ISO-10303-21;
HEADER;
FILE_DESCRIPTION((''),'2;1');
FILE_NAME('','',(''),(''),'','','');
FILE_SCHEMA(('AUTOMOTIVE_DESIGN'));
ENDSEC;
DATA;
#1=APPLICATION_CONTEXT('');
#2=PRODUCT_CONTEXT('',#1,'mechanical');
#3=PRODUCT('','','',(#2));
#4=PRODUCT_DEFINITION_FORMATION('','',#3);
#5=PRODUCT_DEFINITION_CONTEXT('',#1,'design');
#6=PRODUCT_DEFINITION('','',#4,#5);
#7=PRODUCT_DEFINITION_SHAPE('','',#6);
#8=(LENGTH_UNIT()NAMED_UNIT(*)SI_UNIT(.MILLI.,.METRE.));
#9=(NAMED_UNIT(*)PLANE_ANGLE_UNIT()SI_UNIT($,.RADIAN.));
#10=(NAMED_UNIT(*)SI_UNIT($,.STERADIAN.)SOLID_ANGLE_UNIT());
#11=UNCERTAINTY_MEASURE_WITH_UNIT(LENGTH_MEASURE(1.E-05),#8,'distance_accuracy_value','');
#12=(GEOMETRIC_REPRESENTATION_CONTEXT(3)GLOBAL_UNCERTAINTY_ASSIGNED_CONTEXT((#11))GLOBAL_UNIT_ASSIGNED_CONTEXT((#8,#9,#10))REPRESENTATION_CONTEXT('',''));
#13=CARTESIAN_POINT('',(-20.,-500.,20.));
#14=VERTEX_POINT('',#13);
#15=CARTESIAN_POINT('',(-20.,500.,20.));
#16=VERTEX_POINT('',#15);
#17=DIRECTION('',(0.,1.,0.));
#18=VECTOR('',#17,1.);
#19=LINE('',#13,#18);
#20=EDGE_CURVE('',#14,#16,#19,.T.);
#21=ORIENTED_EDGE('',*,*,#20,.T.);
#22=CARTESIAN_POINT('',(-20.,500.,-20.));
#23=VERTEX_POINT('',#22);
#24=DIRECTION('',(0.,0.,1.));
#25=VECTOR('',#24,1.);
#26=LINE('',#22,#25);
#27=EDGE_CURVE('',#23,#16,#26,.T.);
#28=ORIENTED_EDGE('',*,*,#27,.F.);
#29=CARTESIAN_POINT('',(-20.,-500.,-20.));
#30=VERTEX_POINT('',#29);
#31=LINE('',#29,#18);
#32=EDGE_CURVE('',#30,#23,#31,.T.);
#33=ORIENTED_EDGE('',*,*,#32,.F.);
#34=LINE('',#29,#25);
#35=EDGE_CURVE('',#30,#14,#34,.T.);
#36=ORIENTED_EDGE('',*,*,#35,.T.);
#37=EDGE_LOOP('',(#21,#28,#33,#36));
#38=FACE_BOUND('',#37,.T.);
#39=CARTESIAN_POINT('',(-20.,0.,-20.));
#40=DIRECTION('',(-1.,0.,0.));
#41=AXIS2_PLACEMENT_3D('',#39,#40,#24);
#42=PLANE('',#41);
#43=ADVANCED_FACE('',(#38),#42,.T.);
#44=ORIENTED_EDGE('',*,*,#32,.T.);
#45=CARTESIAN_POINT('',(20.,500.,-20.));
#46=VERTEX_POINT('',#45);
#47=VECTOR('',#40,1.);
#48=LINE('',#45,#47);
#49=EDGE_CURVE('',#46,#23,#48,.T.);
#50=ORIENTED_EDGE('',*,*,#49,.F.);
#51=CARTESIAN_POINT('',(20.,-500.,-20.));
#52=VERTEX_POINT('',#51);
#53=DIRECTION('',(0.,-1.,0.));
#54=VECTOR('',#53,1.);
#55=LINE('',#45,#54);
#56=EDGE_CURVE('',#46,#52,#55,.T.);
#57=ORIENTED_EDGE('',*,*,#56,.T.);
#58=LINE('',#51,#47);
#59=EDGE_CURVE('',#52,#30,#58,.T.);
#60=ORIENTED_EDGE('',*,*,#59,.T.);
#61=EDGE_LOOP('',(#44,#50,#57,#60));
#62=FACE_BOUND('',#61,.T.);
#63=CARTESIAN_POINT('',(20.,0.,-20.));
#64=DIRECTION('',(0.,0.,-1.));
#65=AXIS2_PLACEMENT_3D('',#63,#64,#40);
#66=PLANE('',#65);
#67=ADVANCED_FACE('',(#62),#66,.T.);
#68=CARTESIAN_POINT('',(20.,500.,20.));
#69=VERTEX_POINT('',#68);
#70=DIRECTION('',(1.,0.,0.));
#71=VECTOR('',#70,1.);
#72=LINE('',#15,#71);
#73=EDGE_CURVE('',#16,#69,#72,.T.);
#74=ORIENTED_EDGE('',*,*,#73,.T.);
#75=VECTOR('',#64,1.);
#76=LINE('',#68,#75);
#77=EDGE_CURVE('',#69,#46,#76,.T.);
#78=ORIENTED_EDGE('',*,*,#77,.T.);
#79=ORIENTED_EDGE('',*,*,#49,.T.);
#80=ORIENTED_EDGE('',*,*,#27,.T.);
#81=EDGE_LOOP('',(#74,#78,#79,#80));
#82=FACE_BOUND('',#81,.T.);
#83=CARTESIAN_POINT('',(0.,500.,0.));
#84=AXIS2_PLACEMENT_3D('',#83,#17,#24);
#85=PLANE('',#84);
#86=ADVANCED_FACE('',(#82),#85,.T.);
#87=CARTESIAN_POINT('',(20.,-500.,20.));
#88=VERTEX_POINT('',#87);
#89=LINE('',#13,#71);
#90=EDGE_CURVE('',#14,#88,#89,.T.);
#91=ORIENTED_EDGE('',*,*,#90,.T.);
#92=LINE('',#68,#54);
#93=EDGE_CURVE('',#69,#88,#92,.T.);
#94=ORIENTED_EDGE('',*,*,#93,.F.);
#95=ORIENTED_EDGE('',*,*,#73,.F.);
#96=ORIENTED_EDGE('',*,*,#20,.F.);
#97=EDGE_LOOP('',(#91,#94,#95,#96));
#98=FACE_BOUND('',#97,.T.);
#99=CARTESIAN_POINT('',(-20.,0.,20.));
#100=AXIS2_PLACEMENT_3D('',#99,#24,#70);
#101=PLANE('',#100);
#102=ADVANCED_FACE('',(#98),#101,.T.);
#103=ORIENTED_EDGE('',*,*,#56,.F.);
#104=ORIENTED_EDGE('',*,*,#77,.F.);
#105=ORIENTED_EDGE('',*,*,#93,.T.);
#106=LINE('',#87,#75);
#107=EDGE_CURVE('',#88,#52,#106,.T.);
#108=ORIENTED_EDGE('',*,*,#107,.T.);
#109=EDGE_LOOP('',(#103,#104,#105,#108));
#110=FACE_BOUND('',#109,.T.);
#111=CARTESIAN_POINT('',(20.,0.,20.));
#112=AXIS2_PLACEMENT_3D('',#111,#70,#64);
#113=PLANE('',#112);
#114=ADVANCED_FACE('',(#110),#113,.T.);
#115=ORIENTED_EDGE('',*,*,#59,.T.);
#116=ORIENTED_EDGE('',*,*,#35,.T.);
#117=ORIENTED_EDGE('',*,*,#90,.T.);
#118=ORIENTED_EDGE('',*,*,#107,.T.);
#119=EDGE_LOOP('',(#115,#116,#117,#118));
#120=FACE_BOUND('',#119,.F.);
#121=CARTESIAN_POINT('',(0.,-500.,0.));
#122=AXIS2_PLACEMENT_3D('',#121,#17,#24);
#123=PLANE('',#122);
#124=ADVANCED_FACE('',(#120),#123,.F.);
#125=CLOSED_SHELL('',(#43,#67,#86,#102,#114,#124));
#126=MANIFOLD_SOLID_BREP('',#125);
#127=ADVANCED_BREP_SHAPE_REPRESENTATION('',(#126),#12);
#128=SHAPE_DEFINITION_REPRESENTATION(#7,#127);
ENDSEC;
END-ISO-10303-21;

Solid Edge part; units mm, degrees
sketch "Sketch1" plane through (0, 0, 0) normal (0, -1, 0) x (1, 0, 0)
  line L0 (20, -20) -> (-20, -20)
  line L1 (-20, -20) -> (-20, 20)
  line L2 (-20, 20) -> (20, 20)
  line L3 (20, 20) -> (20, -20)
  dimension "D1" = 40
extrude "Protrusion1" add sketch "Sketch1" along normal mid plane 1000
properties material "Wood, Cherry"
